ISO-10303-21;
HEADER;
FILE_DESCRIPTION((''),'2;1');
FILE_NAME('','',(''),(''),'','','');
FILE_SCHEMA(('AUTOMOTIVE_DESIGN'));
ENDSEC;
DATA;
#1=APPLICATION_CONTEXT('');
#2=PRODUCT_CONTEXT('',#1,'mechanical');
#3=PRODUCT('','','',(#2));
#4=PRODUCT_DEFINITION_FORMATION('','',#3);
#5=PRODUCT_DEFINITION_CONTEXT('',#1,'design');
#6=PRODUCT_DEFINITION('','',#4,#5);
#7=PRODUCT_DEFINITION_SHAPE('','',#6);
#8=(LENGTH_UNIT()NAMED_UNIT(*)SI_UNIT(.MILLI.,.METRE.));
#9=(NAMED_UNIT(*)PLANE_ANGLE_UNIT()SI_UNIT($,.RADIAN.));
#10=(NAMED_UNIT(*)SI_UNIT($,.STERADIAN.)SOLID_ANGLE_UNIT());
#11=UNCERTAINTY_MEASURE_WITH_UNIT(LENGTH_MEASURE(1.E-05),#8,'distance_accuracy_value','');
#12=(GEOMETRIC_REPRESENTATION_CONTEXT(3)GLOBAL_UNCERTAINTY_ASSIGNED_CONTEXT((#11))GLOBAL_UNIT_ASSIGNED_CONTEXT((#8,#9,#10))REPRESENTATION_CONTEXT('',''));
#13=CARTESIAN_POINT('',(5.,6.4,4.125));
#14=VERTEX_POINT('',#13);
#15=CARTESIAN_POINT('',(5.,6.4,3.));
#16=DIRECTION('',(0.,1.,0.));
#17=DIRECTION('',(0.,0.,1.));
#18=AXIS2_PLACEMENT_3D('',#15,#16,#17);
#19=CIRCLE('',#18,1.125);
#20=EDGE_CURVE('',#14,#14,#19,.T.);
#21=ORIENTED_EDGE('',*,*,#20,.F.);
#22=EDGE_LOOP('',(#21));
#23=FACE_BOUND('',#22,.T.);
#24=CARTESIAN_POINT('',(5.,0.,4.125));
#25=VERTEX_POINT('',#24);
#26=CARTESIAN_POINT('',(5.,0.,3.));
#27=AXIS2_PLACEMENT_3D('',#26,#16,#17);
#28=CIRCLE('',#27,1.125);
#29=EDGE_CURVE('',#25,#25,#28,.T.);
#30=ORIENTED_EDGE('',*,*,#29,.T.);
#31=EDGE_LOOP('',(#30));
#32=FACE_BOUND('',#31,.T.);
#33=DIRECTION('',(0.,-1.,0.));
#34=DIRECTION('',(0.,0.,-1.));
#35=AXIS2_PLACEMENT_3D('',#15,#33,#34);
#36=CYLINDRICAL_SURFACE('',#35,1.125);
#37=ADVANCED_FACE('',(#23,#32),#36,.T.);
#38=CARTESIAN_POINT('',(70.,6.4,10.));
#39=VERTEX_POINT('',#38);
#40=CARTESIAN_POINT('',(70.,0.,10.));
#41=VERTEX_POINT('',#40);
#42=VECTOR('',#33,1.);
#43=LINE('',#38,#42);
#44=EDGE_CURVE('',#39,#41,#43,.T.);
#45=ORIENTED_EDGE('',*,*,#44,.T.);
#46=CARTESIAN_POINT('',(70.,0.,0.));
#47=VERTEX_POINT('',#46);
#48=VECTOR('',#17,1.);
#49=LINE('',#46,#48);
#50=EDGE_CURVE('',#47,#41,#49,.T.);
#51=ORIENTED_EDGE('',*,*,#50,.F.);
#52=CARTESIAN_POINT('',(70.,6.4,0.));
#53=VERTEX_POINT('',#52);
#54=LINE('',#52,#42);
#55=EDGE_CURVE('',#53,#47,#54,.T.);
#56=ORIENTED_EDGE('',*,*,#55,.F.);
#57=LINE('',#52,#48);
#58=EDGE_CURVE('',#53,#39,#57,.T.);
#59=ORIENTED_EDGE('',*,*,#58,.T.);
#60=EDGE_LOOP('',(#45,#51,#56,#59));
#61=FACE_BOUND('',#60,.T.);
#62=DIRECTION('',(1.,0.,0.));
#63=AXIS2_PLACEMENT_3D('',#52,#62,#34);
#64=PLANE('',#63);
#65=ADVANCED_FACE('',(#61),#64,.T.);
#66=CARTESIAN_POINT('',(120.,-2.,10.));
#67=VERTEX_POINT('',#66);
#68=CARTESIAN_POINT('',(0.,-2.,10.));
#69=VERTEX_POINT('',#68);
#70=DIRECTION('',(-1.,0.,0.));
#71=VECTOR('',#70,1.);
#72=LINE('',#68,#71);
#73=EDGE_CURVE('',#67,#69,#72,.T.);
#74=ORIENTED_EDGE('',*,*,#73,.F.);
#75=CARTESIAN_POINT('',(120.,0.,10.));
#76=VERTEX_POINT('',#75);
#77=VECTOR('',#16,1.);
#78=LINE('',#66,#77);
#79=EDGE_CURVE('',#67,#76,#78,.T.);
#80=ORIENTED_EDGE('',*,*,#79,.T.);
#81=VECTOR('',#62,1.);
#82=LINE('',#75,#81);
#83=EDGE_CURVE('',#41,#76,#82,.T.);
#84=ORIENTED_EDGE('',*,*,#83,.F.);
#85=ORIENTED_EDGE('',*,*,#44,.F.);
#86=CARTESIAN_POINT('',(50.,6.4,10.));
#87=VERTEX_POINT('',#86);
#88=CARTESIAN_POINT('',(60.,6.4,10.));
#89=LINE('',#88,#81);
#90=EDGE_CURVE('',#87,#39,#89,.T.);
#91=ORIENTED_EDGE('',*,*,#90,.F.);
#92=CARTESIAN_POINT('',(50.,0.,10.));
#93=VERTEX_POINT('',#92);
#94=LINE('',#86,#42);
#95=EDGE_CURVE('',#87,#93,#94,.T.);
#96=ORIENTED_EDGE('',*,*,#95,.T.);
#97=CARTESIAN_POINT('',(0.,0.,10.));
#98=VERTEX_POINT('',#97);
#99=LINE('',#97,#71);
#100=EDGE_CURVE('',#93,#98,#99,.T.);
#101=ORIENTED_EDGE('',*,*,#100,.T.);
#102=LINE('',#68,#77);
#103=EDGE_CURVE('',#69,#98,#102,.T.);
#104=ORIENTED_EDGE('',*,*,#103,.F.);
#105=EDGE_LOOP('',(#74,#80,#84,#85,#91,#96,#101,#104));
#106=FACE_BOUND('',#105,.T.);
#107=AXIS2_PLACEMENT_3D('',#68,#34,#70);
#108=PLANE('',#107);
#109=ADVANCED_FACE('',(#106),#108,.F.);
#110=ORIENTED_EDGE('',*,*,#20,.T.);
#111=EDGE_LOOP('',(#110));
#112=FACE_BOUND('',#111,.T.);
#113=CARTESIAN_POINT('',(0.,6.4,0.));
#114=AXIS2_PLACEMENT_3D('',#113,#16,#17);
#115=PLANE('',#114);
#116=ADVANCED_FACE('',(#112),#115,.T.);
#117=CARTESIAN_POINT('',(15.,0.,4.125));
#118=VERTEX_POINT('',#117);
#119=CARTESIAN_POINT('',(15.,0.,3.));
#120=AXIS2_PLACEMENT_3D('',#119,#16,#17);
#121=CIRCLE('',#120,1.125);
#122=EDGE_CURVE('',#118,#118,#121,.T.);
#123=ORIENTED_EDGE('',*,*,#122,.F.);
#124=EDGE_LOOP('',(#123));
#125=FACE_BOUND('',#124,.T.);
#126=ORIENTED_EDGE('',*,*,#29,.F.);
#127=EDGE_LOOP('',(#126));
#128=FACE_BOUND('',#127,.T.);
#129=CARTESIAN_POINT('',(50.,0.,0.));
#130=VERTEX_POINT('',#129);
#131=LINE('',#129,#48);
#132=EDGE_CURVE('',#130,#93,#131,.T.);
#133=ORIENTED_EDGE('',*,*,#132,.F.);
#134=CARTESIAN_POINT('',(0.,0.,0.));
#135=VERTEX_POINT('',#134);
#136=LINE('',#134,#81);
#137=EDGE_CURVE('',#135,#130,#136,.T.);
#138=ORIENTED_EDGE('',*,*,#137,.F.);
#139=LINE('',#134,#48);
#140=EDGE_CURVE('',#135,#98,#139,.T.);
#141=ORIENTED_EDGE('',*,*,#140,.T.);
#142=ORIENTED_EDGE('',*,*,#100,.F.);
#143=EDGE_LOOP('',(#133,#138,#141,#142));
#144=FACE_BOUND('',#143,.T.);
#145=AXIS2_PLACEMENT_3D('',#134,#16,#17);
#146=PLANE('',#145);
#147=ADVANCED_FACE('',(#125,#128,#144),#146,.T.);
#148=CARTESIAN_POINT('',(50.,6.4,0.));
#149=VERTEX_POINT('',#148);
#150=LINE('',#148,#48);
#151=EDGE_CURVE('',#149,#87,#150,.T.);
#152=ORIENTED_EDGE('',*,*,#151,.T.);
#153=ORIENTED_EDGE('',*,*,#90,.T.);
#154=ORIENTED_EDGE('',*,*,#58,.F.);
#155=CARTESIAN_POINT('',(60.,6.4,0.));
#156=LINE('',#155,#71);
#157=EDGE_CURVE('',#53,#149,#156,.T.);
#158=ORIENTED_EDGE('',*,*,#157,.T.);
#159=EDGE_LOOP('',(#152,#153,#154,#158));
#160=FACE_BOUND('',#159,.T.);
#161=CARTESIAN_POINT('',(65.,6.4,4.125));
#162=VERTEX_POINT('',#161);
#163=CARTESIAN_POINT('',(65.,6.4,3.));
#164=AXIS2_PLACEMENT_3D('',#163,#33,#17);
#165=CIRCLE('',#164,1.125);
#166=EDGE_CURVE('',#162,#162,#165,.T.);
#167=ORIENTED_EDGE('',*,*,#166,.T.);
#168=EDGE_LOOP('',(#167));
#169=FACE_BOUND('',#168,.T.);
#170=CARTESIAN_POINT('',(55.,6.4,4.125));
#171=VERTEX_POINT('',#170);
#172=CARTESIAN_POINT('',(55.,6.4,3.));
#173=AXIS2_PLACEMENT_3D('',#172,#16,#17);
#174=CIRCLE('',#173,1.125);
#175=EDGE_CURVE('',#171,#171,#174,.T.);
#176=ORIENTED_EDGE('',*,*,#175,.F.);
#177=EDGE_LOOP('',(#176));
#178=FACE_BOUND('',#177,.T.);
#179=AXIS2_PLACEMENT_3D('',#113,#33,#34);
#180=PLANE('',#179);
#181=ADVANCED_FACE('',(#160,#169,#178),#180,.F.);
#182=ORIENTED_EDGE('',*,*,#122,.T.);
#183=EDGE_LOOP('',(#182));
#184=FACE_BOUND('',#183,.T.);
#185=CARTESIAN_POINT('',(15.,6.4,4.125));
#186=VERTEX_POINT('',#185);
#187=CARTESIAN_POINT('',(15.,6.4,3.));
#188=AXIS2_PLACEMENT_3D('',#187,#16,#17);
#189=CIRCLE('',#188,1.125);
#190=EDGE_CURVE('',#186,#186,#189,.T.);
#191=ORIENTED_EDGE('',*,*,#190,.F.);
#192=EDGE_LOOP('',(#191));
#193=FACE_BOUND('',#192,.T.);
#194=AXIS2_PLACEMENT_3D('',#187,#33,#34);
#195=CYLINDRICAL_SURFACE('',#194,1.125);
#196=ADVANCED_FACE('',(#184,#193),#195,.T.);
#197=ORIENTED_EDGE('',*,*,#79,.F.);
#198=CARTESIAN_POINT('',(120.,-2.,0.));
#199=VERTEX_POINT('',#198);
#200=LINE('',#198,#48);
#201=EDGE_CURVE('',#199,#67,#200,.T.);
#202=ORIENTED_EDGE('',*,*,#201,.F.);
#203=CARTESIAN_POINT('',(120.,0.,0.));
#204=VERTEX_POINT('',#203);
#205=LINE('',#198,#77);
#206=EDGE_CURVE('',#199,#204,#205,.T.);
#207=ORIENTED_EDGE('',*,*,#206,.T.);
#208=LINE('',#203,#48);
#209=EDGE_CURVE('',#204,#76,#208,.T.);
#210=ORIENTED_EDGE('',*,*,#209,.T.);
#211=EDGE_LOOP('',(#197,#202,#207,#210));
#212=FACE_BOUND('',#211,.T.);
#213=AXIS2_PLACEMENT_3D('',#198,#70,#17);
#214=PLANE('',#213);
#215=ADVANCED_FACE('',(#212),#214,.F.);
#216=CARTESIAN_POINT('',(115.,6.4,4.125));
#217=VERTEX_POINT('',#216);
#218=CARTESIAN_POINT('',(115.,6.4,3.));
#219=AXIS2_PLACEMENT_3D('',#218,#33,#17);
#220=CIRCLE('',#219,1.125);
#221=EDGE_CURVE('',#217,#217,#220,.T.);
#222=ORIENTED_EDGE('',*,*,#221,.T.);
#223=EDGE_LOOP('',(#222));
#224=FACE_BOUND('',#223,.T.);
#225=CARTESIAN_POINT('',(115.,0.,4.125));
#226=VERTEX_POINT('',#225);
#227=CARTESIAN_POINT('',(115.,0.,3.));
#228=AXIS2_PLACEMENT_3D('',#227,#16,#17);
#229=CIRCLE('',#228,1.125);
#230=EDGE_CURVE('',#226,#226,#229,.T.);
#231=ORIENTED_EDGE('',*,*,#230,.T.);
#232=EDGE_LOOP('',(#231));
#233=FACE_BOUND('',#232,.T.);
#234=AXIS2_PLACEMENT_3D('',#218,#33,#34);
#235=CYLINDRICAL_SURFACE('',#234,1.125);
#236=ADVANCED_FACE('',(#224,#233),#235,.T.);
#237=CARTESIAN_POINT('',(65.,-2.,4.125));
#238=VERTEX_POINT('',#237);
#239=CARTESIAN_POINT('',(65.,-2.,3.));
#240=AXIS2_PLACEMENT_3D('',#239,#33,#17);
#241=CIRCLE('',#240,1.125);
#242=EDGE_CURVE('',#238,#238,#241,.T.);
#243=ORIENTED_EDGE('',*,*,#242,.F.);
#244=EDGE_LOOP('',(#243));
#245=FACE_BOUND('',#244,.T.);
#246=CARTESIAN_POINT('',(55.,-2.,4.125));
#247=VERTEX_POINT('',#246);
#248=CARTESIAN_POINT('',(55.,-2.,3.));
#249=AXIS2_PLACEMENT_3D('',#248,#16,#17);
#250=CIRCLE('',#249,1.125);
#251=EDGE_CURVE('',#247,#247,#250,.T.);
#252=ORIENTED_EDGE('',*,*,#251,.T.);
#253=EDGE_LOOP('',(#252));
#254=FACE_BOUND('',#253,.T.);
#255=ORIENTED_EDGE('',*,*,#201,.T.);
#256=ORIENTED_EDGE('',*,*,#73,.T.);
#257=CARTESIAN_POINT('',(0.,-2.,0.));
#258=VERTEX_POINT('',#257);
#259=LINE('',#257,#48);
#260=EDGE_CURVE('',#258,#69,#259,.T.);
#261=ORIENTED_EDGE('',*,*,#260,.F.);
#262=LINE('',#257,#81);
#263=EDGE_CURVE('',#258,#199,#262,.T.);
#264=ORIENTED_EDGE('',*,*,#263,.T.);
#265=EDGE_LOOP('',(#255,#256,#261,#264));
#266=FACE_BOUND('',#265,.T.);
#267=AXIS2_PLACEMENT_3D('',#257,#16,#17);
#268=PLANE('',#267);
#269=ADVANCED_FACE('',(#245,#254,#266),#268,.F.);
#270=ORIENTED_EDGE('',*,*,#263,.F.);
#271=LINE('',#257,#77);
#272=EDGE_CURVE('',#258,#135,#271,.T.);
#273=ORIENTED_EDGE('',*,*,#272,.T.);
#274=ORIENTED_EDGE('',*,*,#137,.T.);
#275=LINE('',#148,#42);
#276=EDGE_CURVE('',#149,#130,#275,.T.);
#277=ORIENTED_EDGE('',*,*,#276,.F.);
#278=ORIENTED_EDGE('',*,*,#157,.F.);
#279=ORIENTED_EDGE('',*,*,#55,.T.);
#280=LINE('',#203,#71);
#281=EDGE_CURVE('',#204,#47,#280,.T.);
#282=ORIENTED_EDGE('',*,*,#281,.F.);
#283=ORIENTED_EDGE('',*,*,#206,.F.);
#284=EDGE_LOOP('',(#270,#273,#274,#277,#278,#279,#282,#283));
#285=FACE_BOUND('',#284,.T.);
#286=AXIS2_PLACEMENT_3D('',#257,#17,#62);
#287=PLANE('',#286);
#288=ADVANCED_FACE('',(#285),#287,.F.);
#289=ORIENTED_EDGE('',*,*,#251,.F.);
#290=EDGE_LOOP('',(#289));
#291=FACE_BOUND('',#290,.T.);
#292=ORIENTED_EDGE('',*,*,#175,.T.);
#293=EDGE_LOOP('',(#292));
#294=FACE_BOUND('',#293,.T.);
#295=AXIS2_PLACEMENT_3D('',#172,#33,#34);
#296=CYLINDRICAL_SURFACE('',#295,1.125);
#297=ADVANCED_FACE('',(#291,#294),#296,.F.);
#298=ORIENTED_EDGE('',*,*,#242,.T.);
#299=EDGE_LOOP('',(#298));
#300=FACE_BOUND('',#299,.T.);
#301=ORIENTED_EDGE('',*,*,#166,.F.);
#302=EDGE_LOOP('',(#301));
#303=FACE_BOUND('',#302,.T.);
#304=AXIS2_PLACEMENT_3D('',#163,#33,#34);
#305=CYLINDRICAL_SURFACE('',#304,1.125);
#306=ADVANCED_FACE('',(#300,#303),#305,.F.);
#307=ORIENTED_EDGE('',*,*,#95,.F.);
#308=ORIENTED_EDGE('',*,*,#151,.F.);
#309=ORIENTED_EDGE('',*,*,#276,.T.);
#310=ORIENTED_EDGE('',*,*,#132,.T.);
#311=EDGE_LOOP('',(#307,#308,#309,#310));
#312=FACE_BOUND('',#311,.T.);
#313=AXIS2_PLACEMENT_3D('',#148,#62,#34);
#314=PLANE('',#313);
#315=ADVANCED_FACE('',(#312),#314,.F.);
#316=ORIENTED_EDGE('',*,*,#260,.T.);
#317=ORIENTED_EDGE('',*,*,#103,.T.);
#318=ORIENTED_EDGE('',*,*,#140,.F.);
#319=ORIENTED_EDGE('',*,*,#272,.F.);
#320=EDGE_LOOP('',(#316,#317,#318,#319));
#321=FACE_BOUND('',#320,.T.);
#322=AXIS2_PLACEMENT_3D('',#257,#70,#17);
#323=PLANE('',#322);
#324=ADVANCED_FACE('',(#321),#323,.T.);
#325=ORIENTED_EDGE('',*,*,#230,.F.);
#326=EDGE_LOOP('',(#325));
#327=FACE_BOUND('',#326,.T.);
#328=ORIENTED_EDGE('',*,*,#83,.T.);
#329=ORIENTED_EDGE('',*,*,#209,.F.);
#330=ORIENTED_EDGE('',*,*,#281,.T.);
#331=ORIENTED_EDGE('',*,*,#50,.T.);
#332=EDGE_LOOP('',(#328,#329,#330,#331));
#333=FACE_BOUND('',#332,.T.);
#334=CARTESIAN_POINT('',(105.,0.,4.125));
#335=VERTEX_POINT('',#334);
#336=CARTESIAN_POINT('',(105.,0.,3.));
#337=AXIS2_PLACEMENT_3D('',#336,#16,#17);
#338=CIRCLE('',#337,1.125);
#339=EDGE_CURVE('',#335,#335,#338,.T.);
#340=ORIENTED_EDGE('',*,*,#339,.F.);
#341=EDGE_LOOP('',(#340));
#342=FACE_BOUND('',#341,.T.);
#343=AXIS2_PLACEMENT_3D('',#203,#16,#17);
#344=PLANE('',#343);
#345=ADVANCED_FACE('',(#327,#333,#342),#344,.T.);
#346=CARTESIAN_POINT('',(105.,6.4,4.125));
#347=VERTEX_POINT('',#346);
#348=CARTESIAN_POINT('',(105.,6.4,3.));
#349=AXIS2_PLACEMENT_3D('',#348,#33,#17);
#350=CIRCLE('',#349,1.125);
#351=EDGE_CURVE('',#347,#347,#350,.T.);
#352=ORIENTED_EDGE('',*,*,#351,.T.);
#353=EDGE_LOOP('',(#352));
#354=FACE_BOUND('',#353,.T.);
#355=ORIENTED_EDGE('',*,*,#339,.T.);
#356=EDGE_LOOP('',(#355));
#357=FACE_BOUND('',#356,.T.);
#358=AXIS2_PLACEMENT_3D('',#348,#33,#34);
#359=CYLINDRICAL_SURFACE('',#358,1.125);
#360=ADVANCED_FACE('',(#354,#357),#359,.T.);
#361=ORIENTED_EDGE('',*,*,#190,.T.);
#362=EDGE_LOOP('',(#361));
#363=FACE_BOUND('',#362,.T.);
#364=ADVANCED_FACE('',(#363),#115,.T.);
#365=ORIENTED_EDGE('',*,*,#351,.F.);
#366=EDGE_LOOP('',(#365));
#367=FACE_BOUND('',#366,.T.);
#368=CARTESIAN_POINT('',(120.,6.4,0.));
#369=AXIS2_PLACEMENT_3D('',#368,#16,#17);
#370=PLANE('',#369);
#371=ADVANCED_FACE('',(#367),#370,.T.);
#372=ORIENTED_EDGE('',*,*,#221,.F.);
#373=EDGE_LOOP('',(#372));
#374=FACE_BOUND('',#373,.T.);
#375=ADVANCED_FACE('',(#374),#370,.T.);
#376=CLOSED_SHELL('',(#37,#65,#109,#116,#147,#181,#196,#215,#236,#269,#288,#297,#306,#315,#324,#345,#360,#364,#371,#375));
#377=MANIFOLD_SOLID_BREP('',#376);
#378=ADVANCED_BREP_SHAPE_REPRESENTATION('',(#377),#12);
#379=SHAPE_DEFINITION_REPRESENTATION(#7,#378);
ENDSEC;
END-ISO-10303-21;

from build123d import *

# Parameters (mm, degrees)
SKETCH2_W           = 40
SKETCH2_H           = 10
BOSS_EXTRUDE1_DEPTH = 2
SKETCH2_3_W         = 20
SKETCH2_3_H         = 10
BOSS_EXTRUDE2_DEPTH = 2
SKETCH2_4_R         = 1.125
BOSS_EXTRUDE3_DEPTH = 6.4
SKETCH4_W           = 10
SKETCH4_H           = 10
SKETCH4_R           = 1.125
BOSS_EXTRUDE4_DEPTH = 6.4
SKETCH4_2_R         = 1.125
CUT_EXTRUDE2_DEPTH  = 62.163387741


with BuildPart() as part:
    # Sketch2 → Boss-Extrude1 (new body)
    with BuildSketch(Plane(origin=(0, 0, 0), x_dir=(1, 0, 0), z_dir=(0, 1, 0))):
        with Locations((40, -5)):
            Rectangle(SKETCH2_W, SKETCH2_H)
    boss_extrude1 = extrude(amount=-BOSS_EXTRUDE1_DEPTH)

    # Sketch2<3> → Boss-Extrude2 (add)
    with BuildSketch(Plane(origin=(0, 0, 0), x_dir=(1, 0, 0), z_dir=(0, 1, 0))):
        with Locations((10, -5)):
            Rectangle(SKETCH2_3_W, SKETCH2_3_H)
    boss_extrude2 = extrude(amount=-BOSS_EXTRUDE2_DEPTH)

    # Sketch2<4> → Boss-Extrude3 (add)
    with BuildSketch(Plane(origin=(0, 0, 0), x_dir=(1, 0, 0), z_dir=(0, 1, 0))):
        with Locations((5, -3)):
            Circle(SKETCH2_4_R)
        with Locations((15, -3)):
            Circle(SKETCH2_4_R)
    boss_extrude3 = extrude(amount=BOSS_EXTRUDE3_DEPTH)

    # Sketch4 → Boss-Extrude4 (add)
    with BuildSketch(Plane(origin=(0, 0, 0), x_dir=(1, 0, 0), z_dir=(0, 1, 0))):
        with Locations((55, -5)):
            Rectangle(SKETCH4_W, SKETCH4_H)
        with Locations((55, -3)):
            Circle(SKETCH4_R, mode=Mode.SUBTRACT)
    boss_extrude4 = extrude(amount=BOSS_EXTRUDE4_DEPTH)

    # Sketch4<2> → Cut-Extrude2 (cut, through all)
    with BuildSketch(Plane(origin=(0, 0, 0), x_dir=(1, 0, 0), z_dir=(0, 1, 0))):
        with Locations((55, -3)):
            Circle(SKETCH4_2_R)
    cut_extrude2 = extrude(amount=-CUT_EXTRUDE2_DEPTH, mode=Mode.SUBTRACT)

    # Mirror2: Boss-Extrude1, Boss-Extrude2, Boss-Extrude3, Boss-Extrude4, Cut-Extrude2 across plane
    add(boss_extrude1.mirror(Plane(origin=(60, -2, 0), x_dir=(0, 0, 1), z_dir=(-1, 0, 0))))
    add(boss_extrude2.mirror(Plane(origin=(60, -2, 0), x_dir=(0, 0, 1), z_dir=(-1, 0, 0))))
    add(boss_extrude3.mirror(Plane(origin=(60, -2, 0), x_dir=(0, 0, 1), z_dir=(-1, 0, 0))))
    add(boss_extrude4.mirror(Plane(origin=(60, -2, 0), x_dir=(0, 0, 1), z_dir=(-1, 0, 0))))
    add(cut_extrude2.mirror(Plane(origin=(60, -2, 0), x_dir=(0, 0, 1), z_dir=(-1, 0, 0))), mode=Mode.SUBTRACT)


solid = part.part
